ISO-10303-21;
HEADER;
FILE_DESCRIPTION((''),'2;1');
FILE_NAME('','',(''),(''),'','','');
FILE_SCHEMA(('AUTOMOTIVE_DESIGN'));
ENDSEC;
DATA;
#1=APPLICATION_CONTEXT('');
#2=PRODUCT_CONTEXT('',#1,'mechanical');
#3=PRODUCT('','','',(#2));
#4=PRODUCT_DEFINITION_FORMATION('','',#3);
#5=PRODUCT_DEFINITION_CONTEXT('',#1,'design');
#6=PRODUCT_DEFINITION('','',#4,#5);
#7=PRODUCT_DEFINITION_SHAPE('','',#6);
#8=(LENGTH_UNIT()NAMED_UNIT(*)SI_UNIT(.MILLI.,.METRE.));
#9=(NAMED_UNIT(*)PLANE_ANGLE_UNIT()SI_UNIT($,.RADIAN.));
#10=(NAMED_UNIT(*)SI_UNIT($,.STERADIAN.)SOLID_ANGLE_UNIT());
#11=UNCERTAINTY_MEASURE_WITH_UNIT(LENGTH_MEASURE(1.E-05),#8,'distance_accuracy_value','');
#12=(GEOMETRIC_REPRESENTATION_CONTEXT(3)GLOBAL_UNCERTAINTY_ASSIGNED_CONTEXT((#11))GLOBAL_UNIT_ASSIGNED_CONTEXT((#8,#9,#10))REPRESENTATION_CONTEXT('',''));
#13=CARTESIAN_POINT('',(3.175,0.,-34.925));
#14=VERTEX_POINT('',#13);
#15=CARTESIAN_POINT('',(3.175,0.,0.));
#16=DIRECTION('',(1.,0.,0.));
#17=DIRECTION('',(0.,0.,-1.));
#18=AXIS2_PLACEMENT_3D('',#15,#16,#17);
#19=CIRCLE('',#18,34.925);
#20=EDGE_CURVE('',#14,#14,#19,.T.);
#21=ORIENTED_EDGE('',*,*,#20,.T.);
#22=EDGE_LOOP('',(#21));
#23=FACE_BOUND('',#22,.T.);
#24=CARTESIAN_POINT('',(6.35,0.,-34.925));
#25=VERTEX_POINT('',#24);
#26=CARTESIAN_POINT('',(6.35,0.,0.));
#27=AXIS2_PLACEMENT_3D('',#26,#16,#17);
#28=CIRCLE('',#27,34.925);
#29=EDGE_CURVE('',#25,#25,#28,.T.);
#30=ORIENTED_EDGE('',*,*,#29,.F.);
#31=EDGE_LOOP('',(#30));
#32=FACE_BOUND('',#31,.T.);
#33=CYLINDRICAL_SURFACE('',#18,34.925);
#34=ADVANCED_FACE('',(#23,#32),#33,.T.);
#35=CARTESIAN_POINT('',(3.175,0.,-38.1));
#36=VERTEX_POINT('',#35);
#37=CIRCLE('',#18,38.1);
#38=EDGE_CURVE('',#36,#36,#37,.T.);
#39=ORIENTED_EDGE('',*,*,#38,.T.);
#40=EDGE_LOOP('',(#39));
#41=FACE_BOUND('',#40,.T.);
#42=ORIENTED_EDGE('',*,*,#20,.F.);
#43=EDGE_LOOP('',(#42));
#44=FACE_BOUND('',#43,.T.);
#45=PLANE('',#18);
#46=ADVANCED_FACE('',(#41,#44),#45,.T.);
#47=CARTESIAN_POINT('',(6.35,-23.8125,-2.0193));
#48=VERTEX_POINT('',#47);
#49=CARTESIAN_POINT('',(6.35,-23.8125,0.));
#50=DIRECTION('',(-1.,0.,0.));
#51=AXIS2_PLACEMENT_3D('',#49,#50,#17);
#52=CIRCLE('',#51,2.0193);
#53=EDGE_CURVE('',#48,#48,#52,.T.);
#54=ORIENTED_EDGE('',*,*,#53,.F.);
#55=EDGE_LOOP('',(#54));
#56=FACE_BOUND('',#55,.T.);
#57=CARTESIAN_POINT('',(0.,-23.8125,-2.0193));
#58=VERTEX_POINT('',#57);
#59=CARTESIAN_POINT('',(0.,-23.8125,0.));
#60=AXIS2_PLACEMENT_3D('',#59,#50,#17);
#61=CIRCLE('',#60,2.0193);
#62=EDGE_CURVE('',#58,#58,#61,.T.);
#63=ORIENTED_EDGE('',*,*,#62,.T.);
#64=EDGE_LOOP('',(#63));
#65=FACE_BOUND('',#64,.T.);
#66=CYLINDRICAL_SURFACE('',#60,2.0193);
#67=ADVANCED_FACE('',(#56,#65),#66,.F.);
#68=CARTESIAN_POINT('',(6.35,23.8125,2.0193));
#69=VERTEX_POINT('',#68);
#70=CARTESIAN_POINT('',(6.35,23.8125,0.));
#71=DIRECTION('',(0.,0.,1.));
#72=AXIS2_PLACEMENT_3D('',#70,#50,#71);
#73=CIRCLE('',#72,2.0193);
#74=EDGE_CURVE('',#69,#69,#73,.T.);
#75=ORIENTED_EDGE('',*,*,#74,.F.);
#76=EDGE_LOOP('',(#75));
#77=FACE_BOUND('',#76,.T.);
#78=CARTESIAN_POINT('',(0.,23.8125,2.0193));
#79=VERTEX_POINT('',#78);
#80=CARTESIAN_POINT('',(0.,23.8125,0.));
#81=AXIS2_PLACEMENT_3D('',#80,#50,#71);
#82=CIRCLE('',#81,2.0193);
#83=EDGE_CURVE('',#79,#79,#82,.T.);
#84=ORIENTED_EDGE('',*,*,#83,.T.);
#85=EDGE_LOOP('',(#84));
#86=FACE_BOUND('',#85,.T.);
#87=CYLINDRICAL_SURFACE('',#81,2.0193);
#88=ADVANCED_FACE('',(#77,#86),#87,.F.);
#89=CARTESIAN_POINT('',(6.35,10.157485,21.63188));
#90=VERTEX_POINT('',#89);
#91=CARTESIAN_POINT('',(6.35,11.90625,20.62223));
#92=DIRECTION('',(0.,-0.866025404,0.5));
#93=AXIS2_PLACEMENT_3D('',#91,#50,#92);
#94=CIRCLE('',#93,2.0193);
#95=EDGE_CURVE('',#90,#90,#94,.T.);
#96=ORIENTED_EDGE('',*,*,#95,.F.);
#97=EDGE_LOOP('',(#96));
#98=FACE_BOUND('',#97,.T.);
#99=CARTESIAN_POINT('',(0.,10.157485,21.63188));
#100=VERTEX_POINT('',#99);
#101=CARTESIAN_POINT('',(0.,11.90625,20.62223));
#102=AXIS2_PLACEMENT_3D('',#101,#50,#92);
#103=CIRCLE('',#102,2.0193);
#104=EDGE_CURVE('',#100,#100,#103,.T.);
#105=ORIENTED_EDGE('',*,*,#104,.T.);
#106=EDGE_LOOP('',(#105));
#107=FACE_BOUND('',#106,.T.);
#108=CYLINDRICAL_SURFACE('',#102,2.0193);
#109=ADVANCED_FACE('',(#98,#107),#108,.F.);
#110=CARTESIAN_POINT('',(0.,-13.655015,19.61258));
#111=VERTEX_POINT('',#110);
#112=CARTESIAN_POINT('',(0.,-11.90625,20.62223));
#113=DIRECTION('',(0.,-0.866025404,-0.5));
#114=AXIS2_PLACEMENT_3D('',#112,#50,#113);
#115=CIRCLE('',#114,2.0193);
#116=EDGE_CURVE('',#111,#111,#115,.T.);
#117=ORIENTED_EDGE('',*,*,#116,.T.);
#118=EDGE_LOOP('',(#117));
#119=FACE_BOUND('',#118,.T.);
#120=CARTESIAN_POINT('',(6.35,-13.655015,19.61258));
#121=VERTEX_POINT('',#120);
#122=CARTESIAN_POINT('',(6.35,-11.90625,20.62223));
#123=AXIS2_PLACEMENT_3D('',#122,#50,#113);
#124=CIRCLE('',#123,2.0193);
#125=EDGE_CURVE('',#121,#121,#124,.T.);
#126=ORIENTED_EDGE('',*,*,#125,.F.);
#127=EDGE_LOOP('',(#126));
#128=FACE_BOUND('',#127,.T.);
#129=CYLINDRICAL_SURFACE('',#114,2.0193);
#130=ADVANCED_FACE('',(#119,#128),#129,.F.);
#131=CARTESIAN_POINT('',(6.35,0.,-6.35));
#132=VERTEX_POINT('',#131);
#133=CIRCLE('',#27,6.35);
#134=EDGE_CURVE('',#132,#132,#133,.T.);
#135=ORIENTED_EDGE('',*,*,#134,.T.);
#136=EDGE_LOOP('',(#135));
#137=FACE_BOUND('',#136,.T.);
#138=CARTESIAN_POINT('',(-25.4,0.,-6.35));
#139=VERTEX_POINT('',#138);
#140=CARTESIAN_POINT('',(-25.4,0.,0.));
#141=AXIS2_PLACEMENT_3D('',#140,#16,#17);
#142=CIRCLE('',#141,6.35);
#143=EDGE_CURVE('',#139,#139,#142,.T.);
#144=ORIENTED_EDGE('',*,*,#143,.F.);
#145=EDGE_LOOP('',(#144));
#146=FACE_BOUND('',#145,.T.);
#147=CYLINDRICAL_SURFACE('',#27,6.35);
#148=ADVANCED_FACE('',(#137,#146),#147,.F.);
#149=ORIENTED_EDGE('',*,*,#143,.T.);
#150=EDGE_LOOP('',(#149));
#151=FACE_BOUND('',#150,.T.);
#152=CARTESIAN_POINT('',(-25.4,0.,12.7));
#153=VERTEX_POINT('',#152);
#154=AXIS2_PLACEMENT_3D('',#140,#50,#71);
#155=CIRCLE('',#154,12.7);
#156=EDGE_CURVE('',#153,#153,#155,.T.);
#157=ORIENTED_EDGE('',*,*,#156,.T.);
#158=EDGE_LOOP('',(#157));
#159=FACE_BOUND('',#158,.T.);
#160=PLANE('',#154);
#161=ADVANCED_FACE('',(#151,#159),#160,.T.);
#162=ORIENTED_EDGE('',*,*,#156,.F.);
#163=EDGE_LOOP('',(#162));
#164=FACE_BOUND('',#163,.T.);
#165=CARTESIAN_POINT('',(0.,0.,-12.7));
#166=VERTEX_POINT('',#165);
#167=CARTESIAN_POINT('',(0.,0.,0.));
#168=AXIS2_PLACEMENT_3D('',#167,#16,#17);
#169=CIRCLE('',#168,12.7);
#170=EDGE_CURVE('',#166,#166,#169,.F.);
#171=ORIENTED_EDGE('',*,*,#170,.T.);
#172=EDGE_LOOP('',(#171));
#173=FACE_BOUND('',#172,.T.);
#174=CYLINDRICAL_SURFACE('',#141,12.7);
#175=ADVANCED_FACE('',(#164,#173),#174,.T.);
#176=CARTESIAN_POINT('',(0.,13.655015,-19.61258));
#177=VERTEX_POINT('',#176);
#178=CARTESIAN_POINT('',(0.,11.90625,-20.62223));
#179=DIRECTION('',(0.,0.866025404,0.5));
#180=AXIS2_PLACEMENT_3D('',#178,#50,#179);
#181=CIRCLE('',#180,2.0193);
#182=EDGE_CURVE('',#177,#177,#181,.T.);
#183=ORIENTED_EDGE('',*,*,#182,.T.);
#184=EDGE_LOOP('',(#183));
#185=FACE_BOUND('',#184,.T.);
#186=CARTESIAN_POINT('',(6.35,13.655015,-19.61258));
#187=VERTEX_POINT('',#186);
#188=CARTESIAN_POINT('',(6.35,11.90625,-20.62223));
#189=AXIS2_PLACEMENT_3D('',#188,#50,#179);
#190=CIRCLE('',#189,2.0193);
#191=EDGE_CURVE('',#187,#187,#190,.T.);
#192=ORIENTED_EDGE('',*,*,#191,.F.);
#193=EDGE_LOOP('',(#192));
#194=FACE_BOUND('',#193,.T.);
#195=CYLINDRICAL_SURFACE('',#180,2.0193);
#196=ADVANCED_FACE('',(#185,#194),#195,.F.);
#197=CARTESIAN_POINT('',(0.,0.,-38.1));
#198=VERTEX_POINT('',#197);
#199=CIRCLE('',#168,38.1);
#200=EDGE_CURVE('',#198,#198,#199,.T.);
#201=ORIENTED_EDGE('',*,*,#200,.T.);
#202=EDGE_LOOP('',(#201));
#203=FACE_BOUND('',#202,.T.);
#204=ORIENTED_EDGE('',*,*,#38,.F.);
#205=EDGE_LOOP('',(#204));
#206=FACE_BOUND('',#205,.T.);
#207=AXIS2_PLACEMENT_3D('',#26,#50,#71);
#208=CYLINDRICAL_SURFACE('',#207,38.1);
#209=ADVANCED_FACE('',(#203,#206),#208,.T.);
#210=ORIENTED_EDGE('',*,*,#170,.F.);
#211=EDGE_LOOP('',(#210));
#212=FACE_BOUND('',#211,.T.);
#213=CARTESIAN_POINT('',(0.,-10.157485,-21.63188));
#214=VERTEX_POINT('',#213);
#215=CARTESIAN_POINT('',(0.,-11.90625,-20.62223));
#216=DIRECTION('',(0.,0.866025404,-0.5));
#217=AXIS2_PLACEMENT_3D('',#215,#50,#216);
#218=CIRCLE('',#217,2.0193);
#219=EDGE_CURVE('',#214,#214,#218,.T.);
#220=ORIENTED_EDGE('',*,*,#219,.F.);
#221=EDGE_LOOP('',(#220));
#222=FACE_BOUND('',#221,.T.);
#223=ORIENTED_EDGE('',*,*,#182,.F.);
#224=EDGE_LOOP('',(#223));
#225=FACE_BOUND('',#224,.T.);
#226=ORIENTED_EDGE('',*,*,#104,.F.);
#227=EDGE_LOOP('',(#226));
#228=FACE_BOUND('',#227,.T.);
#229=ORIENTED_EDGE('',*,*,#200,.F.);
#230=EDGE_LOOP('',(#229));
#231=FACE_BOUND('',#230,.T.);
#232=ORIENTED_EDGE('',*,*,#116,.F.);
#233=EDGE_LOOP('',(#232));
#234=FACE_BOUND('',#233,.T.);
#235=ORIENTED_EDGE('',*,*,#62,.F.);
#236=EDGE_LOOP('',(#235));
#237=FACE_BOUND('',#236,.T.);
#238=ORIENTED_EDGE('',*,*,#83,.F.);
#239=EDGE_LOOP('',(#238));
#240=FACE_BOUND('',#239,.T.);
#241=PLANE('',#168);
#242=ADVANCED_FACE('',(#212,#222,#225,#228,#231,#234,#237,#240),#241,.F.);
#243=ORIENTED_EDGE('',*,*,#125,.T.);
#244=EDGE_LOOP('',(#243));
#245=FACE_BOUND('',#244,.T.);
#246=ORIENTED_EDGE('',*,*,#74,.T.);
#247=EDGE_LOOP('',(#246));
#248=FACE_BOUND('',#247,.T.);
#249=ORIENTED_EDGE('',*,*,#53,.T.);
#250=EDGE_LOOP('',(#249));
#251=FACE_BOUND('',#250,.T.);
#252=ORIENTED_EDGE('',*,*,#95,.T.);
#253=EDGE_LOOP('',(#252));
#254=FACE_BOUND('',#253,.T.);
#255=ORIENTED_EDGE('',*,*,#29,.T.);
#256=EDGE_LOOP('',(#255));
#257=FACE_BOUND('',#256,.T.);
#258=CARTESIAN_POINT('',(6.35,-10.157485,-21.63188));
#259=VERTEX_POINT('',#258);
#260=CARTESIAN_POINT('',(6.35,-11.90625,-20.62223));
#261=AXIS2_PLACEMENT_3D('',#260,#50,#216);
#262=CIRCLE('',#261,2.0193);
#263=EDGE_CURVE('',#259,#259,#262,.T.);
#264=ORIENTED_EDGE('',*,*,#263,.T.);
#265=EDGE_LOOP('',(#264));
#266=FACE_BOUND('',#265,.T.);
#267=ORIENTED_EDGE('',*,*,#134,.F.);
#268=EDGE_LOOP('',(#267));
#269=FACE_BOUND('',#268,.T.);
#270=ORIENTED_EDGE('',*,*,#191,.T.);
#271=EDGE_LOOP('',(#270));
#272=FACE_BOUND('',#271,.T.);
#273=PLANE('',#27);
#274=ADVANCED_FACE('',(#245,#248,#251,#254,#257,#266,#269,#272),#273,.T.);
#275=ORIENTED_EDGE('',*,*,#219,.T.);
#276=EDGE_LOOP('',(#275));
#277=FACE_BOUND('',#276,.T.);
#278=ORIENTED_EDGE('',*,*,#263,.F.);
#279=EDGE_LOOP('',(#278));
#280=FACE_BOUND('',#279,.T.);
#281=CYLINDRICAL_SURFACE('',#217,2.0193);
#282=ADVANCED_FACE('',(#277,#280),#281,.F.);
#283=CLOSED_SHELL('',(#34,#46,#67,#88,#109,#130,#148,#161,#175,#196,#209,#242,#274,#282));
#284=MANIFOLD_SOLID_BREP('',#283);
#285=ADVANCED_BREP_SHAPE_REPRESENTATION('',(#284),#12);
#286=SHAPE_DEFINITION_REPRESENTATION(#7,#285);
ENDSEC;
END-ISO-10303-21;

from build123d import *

# Parameters (mm, degrees)
SKETCH1_R                  = 38.1
BOSS_EXTRUDE1_DEPTH        = 6.35
SKETCH3_R                  = 38.1
SKETCH3_R_2                = 34.925
CUT_EXTRUDE_THIN1_DEPTH    = 3.175
SKETCH8_R                  = 12.7
BOSS_EXTRUDE2_DEPTH        = 25.4
F_1_2_0_5_DIAMETER_HOLE1_D = 12.7
F_10_32_TAPPED_HOLE1_D     = 4.0386
CIRPATTERN1_COUNT          = 6


with BuildPart() as part:
    # Sketch1 → Boss-Extrude1 (new body)
    with BuildSketch(Plane(origin=(0, 0, 0), x_dir=(0, 0, -1), z_dir=(1, 0, 0))):
        Circle(SKETCH1_R)
    extrude(amount=BOSS_EXTRUDE1_DEPTH)

    # Sketch3 → Cut-Extrude-Thin1 (cut)
    with BuildSketch(Plane(origin=(6.35, 0, 0), x_dir=(0, 0, -1), z_dir=(1, 0, 0))):
        Circle(SKETCH3_R)
        Circle(SKETCH3_R_2, mode=Mode.SUBTRACT)
    extrude(amount=-CUT_EXTRUDE_THIN1_DEPTH, mode=Mode.SUBTRACT)

    # Sketch8 → Boss-Extrude2 (add)
    with BuildSketch(Plane.ZY):
        Circle(SKETCH8_R)
    extrude(amount=BOSS_EXTRUDE2_DEPTH)

    # 1/2 (0.5) Diameter Hole1 (through all)
    with Locations(Plane(origin=(6.35, 0, 0), x_dir=(0, 0, -1), z_dir=(1, 0, 0))):
        with Locations((0, 0)):
            Hole(F_1_2_0_5_DIAMETER_HOLE1_D / 2)

    # #10-32 Tapped Hole1 (through all)
    with Locations(Plane.ZY):
        with Locations((0, 23.8125)):
            f_10_32_tapped_hole1 = Hole(F_10_32_TAPPED_HOLE1_D / 2)

    # CirPattern1: #10-32 Tapped Hole1 ×6 about axis
    cirpattern1_axis = Axis((0, 0, 0), (1, 0, 0))
    for i in range(1, CIRPATTERN1_COUNT):
        add(f_10_32_tapped_hole1.rotate(cirpattern1_axis, i * 360 / CIRPATTERN1_COUNT), mode=Mode.SUBTRACT)


solid = part.part
